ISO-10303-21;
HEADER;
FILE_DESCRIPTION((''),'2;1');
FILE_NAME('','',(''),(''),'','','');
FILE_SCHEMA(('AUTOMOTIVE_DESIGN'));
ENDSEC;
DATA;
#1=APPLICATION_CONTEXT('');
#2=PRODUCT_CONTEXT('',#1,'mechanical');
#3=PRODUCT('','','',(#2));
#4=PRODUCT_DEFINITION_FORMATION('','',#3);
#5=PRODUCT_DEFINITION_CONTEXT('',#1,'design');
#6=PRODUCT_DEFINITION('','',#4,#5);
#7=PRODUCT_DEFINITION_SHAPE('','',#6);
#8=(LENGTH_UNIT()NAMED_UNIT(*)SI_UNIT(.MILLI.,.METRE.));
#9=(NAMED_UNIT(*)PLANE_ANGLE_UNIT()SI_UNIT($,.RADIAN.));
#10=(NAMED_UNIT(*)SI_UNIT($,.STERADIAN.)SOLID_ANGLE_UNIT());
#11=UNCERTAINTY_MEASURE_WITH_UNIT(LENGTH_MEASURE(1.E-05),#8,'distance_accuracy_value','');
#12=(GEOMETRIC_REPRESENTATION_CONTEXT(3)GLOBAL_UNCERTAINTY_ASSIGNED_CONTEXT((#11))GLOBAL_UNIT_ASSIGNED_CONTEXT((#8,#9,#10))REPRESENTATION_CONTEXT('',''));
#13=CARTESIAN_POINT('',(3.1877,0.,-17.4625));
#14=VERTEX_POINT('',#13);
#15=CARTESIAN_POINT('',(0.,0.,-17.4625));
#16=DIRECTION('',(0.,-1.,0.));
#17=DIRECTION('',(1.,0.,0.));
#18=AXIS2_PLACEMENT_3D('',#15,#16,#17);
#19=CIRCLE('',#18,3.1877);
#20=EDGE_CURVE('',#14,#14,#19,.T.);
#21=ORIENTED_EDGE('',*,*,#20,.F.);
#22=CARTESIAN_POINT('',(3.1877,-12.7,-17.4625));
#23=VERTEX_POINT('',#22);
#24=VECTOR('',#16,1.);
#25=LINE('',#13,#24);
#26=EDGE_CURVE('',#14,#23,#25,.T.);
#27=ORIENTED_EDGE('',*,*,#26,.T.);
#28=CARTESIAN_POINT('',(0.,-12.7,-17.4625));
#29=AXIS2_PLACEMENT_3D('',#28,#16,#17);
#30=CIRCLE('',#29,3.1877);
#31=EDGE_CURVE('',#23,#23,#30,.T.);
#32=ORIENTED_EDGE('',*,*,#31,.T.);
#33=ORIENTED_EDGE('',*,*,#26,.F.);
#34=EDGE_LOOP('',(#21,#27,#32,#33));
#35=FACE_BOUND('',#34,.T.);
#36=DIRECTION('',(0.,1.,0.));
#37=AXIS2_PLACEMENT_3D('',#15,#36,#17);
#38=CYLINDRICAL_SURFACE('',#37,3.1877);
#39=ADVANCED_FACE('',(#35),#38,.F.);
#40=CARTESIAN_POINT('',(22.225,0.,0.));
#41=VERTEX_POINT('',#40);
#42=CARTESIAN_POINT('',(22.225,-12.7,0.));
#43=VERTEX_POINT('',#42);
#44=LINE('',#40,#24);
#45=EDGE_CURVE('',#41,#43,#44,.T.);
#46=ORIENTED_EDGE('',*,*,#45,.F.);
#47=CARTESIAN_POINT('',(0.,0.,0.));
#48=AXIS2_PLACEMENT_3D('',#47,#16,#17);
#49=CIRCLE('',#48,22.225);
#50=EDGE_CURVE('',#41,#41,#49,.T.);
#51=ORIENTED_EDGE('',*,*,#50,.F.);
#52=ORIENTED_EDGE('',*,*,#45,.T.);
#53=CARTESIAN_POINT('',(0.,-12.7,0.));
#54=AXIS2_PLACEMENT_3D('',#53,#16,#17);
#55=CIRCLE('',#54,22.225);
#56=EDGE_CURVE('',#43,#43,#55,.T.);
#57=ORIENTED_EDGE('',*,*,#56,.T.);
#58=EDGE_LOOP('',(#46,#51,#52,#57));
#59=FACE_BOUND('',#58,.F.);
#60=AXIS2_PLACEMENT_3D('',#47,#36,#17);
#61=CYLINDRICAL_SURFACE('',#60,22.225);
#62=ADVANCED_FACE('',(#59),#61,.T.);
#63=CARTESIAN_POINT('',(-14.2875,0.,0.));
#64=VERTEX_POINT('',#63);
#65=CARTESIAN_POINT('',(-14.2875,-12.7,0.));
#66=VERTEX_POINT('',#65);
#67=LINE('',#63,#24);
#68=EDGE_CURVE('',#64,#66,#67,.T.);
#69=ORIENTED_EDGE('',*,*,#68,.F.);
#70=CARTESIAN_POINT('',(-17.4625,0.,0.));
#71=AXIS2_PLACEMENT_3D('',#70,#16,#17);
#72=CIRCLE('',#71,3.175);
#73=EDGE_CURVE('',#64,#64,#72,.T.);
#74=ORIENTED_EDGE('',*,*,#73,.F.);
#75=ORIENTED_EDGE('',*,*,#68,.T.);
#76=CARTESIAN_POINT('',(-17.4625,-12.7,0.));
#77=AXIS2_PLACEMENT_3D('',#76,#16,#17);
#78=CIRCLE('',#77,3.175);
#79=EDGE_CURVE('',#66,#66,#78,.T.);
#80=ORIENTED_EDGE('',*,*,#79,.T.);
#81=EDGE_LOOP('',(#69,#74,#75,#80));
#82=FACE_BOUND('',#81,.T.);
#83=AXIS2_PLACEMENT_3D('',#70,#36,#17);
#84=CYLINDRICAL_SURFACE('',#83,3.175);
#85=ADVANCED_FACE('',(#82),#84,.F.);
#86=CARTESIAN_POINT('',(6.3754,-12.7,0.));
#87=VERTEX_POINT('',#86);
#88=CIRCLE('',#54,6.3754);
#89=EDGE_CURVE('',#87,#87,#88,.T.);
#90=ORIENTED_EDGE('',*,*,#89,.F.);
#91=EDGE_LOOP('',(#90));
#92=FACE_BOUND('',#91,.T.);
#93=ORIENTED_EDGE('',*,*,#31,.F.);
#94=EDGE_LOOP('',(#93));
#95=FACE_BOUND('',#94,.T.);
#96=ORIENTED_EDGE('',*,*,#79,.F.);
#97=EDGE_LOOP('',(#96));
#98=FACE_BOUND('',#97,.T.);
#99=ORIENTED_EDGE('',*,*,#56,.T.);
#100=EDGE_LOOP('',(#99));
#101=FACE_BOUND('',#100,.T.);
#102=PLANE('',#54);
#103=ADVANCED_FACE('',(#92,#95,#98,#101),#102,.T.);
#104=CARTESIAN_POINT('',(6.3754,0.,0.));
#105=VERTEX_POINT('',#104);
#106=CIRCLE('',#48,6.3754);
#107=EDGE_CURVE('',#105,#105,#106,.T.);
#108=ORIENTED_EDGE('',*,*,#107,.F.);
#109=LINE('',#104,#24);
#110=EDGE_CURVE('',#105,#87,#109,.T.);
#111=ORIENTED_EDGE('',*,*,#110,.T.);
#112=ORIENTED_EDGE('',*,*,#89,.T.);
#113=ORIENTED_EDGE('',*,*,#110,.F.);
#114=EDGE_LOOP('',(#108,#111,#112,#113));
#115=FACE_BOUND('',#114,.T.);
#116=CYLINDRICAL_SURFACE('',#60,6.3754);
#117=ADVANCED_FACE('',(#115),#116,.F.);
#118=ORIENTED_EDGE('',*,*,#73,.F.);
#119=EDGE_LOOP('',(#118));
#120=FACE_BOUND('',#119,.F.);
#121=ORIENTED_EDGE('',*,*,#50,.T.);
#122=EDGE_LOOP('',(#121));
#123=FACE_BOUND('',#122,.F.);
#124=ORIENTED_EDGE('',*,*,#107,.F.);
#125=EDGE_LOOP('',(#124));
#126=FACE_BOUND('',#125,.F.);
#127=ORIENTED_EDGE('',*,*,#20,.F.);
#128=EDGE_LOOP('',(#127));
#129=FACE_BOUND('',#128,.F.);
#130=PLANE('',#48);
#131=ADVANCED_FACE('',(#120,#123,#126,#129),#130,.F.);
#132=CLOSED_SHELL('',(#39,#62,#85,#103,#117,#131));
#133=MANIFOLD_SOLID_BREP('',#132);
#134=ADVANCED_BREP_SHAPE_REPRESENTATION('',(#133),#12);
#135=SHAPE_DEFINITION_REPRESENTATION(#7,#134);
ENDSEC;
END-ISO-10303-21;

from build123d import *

# Parameters (mm, degrees)
F0_R     = 22.225
F0_R_2   = 3.1877
F0_R_3   = 3.175
F0_R_4   = 6.3754
F1_DEPTH = 12.7


with BuildPart() as f1:
    # F0 (on Front) → F1 (new body)
    with BuildSketch(Plane.XZ):
        Circle(F0_R)
        with Locations((0, -17.4625)):
            Circle(F0_R_2, mode=Mode.SUBTRACT)
        with Locations((-17.4625, 0)):
            Circle(F0_R_3, mode=Mode.SUBTRACT)
        Circle(F0_R_4, mode=Mode.SUBTRACT)
    extrude(amount=F1_DEPTH)


solid = f1.part
